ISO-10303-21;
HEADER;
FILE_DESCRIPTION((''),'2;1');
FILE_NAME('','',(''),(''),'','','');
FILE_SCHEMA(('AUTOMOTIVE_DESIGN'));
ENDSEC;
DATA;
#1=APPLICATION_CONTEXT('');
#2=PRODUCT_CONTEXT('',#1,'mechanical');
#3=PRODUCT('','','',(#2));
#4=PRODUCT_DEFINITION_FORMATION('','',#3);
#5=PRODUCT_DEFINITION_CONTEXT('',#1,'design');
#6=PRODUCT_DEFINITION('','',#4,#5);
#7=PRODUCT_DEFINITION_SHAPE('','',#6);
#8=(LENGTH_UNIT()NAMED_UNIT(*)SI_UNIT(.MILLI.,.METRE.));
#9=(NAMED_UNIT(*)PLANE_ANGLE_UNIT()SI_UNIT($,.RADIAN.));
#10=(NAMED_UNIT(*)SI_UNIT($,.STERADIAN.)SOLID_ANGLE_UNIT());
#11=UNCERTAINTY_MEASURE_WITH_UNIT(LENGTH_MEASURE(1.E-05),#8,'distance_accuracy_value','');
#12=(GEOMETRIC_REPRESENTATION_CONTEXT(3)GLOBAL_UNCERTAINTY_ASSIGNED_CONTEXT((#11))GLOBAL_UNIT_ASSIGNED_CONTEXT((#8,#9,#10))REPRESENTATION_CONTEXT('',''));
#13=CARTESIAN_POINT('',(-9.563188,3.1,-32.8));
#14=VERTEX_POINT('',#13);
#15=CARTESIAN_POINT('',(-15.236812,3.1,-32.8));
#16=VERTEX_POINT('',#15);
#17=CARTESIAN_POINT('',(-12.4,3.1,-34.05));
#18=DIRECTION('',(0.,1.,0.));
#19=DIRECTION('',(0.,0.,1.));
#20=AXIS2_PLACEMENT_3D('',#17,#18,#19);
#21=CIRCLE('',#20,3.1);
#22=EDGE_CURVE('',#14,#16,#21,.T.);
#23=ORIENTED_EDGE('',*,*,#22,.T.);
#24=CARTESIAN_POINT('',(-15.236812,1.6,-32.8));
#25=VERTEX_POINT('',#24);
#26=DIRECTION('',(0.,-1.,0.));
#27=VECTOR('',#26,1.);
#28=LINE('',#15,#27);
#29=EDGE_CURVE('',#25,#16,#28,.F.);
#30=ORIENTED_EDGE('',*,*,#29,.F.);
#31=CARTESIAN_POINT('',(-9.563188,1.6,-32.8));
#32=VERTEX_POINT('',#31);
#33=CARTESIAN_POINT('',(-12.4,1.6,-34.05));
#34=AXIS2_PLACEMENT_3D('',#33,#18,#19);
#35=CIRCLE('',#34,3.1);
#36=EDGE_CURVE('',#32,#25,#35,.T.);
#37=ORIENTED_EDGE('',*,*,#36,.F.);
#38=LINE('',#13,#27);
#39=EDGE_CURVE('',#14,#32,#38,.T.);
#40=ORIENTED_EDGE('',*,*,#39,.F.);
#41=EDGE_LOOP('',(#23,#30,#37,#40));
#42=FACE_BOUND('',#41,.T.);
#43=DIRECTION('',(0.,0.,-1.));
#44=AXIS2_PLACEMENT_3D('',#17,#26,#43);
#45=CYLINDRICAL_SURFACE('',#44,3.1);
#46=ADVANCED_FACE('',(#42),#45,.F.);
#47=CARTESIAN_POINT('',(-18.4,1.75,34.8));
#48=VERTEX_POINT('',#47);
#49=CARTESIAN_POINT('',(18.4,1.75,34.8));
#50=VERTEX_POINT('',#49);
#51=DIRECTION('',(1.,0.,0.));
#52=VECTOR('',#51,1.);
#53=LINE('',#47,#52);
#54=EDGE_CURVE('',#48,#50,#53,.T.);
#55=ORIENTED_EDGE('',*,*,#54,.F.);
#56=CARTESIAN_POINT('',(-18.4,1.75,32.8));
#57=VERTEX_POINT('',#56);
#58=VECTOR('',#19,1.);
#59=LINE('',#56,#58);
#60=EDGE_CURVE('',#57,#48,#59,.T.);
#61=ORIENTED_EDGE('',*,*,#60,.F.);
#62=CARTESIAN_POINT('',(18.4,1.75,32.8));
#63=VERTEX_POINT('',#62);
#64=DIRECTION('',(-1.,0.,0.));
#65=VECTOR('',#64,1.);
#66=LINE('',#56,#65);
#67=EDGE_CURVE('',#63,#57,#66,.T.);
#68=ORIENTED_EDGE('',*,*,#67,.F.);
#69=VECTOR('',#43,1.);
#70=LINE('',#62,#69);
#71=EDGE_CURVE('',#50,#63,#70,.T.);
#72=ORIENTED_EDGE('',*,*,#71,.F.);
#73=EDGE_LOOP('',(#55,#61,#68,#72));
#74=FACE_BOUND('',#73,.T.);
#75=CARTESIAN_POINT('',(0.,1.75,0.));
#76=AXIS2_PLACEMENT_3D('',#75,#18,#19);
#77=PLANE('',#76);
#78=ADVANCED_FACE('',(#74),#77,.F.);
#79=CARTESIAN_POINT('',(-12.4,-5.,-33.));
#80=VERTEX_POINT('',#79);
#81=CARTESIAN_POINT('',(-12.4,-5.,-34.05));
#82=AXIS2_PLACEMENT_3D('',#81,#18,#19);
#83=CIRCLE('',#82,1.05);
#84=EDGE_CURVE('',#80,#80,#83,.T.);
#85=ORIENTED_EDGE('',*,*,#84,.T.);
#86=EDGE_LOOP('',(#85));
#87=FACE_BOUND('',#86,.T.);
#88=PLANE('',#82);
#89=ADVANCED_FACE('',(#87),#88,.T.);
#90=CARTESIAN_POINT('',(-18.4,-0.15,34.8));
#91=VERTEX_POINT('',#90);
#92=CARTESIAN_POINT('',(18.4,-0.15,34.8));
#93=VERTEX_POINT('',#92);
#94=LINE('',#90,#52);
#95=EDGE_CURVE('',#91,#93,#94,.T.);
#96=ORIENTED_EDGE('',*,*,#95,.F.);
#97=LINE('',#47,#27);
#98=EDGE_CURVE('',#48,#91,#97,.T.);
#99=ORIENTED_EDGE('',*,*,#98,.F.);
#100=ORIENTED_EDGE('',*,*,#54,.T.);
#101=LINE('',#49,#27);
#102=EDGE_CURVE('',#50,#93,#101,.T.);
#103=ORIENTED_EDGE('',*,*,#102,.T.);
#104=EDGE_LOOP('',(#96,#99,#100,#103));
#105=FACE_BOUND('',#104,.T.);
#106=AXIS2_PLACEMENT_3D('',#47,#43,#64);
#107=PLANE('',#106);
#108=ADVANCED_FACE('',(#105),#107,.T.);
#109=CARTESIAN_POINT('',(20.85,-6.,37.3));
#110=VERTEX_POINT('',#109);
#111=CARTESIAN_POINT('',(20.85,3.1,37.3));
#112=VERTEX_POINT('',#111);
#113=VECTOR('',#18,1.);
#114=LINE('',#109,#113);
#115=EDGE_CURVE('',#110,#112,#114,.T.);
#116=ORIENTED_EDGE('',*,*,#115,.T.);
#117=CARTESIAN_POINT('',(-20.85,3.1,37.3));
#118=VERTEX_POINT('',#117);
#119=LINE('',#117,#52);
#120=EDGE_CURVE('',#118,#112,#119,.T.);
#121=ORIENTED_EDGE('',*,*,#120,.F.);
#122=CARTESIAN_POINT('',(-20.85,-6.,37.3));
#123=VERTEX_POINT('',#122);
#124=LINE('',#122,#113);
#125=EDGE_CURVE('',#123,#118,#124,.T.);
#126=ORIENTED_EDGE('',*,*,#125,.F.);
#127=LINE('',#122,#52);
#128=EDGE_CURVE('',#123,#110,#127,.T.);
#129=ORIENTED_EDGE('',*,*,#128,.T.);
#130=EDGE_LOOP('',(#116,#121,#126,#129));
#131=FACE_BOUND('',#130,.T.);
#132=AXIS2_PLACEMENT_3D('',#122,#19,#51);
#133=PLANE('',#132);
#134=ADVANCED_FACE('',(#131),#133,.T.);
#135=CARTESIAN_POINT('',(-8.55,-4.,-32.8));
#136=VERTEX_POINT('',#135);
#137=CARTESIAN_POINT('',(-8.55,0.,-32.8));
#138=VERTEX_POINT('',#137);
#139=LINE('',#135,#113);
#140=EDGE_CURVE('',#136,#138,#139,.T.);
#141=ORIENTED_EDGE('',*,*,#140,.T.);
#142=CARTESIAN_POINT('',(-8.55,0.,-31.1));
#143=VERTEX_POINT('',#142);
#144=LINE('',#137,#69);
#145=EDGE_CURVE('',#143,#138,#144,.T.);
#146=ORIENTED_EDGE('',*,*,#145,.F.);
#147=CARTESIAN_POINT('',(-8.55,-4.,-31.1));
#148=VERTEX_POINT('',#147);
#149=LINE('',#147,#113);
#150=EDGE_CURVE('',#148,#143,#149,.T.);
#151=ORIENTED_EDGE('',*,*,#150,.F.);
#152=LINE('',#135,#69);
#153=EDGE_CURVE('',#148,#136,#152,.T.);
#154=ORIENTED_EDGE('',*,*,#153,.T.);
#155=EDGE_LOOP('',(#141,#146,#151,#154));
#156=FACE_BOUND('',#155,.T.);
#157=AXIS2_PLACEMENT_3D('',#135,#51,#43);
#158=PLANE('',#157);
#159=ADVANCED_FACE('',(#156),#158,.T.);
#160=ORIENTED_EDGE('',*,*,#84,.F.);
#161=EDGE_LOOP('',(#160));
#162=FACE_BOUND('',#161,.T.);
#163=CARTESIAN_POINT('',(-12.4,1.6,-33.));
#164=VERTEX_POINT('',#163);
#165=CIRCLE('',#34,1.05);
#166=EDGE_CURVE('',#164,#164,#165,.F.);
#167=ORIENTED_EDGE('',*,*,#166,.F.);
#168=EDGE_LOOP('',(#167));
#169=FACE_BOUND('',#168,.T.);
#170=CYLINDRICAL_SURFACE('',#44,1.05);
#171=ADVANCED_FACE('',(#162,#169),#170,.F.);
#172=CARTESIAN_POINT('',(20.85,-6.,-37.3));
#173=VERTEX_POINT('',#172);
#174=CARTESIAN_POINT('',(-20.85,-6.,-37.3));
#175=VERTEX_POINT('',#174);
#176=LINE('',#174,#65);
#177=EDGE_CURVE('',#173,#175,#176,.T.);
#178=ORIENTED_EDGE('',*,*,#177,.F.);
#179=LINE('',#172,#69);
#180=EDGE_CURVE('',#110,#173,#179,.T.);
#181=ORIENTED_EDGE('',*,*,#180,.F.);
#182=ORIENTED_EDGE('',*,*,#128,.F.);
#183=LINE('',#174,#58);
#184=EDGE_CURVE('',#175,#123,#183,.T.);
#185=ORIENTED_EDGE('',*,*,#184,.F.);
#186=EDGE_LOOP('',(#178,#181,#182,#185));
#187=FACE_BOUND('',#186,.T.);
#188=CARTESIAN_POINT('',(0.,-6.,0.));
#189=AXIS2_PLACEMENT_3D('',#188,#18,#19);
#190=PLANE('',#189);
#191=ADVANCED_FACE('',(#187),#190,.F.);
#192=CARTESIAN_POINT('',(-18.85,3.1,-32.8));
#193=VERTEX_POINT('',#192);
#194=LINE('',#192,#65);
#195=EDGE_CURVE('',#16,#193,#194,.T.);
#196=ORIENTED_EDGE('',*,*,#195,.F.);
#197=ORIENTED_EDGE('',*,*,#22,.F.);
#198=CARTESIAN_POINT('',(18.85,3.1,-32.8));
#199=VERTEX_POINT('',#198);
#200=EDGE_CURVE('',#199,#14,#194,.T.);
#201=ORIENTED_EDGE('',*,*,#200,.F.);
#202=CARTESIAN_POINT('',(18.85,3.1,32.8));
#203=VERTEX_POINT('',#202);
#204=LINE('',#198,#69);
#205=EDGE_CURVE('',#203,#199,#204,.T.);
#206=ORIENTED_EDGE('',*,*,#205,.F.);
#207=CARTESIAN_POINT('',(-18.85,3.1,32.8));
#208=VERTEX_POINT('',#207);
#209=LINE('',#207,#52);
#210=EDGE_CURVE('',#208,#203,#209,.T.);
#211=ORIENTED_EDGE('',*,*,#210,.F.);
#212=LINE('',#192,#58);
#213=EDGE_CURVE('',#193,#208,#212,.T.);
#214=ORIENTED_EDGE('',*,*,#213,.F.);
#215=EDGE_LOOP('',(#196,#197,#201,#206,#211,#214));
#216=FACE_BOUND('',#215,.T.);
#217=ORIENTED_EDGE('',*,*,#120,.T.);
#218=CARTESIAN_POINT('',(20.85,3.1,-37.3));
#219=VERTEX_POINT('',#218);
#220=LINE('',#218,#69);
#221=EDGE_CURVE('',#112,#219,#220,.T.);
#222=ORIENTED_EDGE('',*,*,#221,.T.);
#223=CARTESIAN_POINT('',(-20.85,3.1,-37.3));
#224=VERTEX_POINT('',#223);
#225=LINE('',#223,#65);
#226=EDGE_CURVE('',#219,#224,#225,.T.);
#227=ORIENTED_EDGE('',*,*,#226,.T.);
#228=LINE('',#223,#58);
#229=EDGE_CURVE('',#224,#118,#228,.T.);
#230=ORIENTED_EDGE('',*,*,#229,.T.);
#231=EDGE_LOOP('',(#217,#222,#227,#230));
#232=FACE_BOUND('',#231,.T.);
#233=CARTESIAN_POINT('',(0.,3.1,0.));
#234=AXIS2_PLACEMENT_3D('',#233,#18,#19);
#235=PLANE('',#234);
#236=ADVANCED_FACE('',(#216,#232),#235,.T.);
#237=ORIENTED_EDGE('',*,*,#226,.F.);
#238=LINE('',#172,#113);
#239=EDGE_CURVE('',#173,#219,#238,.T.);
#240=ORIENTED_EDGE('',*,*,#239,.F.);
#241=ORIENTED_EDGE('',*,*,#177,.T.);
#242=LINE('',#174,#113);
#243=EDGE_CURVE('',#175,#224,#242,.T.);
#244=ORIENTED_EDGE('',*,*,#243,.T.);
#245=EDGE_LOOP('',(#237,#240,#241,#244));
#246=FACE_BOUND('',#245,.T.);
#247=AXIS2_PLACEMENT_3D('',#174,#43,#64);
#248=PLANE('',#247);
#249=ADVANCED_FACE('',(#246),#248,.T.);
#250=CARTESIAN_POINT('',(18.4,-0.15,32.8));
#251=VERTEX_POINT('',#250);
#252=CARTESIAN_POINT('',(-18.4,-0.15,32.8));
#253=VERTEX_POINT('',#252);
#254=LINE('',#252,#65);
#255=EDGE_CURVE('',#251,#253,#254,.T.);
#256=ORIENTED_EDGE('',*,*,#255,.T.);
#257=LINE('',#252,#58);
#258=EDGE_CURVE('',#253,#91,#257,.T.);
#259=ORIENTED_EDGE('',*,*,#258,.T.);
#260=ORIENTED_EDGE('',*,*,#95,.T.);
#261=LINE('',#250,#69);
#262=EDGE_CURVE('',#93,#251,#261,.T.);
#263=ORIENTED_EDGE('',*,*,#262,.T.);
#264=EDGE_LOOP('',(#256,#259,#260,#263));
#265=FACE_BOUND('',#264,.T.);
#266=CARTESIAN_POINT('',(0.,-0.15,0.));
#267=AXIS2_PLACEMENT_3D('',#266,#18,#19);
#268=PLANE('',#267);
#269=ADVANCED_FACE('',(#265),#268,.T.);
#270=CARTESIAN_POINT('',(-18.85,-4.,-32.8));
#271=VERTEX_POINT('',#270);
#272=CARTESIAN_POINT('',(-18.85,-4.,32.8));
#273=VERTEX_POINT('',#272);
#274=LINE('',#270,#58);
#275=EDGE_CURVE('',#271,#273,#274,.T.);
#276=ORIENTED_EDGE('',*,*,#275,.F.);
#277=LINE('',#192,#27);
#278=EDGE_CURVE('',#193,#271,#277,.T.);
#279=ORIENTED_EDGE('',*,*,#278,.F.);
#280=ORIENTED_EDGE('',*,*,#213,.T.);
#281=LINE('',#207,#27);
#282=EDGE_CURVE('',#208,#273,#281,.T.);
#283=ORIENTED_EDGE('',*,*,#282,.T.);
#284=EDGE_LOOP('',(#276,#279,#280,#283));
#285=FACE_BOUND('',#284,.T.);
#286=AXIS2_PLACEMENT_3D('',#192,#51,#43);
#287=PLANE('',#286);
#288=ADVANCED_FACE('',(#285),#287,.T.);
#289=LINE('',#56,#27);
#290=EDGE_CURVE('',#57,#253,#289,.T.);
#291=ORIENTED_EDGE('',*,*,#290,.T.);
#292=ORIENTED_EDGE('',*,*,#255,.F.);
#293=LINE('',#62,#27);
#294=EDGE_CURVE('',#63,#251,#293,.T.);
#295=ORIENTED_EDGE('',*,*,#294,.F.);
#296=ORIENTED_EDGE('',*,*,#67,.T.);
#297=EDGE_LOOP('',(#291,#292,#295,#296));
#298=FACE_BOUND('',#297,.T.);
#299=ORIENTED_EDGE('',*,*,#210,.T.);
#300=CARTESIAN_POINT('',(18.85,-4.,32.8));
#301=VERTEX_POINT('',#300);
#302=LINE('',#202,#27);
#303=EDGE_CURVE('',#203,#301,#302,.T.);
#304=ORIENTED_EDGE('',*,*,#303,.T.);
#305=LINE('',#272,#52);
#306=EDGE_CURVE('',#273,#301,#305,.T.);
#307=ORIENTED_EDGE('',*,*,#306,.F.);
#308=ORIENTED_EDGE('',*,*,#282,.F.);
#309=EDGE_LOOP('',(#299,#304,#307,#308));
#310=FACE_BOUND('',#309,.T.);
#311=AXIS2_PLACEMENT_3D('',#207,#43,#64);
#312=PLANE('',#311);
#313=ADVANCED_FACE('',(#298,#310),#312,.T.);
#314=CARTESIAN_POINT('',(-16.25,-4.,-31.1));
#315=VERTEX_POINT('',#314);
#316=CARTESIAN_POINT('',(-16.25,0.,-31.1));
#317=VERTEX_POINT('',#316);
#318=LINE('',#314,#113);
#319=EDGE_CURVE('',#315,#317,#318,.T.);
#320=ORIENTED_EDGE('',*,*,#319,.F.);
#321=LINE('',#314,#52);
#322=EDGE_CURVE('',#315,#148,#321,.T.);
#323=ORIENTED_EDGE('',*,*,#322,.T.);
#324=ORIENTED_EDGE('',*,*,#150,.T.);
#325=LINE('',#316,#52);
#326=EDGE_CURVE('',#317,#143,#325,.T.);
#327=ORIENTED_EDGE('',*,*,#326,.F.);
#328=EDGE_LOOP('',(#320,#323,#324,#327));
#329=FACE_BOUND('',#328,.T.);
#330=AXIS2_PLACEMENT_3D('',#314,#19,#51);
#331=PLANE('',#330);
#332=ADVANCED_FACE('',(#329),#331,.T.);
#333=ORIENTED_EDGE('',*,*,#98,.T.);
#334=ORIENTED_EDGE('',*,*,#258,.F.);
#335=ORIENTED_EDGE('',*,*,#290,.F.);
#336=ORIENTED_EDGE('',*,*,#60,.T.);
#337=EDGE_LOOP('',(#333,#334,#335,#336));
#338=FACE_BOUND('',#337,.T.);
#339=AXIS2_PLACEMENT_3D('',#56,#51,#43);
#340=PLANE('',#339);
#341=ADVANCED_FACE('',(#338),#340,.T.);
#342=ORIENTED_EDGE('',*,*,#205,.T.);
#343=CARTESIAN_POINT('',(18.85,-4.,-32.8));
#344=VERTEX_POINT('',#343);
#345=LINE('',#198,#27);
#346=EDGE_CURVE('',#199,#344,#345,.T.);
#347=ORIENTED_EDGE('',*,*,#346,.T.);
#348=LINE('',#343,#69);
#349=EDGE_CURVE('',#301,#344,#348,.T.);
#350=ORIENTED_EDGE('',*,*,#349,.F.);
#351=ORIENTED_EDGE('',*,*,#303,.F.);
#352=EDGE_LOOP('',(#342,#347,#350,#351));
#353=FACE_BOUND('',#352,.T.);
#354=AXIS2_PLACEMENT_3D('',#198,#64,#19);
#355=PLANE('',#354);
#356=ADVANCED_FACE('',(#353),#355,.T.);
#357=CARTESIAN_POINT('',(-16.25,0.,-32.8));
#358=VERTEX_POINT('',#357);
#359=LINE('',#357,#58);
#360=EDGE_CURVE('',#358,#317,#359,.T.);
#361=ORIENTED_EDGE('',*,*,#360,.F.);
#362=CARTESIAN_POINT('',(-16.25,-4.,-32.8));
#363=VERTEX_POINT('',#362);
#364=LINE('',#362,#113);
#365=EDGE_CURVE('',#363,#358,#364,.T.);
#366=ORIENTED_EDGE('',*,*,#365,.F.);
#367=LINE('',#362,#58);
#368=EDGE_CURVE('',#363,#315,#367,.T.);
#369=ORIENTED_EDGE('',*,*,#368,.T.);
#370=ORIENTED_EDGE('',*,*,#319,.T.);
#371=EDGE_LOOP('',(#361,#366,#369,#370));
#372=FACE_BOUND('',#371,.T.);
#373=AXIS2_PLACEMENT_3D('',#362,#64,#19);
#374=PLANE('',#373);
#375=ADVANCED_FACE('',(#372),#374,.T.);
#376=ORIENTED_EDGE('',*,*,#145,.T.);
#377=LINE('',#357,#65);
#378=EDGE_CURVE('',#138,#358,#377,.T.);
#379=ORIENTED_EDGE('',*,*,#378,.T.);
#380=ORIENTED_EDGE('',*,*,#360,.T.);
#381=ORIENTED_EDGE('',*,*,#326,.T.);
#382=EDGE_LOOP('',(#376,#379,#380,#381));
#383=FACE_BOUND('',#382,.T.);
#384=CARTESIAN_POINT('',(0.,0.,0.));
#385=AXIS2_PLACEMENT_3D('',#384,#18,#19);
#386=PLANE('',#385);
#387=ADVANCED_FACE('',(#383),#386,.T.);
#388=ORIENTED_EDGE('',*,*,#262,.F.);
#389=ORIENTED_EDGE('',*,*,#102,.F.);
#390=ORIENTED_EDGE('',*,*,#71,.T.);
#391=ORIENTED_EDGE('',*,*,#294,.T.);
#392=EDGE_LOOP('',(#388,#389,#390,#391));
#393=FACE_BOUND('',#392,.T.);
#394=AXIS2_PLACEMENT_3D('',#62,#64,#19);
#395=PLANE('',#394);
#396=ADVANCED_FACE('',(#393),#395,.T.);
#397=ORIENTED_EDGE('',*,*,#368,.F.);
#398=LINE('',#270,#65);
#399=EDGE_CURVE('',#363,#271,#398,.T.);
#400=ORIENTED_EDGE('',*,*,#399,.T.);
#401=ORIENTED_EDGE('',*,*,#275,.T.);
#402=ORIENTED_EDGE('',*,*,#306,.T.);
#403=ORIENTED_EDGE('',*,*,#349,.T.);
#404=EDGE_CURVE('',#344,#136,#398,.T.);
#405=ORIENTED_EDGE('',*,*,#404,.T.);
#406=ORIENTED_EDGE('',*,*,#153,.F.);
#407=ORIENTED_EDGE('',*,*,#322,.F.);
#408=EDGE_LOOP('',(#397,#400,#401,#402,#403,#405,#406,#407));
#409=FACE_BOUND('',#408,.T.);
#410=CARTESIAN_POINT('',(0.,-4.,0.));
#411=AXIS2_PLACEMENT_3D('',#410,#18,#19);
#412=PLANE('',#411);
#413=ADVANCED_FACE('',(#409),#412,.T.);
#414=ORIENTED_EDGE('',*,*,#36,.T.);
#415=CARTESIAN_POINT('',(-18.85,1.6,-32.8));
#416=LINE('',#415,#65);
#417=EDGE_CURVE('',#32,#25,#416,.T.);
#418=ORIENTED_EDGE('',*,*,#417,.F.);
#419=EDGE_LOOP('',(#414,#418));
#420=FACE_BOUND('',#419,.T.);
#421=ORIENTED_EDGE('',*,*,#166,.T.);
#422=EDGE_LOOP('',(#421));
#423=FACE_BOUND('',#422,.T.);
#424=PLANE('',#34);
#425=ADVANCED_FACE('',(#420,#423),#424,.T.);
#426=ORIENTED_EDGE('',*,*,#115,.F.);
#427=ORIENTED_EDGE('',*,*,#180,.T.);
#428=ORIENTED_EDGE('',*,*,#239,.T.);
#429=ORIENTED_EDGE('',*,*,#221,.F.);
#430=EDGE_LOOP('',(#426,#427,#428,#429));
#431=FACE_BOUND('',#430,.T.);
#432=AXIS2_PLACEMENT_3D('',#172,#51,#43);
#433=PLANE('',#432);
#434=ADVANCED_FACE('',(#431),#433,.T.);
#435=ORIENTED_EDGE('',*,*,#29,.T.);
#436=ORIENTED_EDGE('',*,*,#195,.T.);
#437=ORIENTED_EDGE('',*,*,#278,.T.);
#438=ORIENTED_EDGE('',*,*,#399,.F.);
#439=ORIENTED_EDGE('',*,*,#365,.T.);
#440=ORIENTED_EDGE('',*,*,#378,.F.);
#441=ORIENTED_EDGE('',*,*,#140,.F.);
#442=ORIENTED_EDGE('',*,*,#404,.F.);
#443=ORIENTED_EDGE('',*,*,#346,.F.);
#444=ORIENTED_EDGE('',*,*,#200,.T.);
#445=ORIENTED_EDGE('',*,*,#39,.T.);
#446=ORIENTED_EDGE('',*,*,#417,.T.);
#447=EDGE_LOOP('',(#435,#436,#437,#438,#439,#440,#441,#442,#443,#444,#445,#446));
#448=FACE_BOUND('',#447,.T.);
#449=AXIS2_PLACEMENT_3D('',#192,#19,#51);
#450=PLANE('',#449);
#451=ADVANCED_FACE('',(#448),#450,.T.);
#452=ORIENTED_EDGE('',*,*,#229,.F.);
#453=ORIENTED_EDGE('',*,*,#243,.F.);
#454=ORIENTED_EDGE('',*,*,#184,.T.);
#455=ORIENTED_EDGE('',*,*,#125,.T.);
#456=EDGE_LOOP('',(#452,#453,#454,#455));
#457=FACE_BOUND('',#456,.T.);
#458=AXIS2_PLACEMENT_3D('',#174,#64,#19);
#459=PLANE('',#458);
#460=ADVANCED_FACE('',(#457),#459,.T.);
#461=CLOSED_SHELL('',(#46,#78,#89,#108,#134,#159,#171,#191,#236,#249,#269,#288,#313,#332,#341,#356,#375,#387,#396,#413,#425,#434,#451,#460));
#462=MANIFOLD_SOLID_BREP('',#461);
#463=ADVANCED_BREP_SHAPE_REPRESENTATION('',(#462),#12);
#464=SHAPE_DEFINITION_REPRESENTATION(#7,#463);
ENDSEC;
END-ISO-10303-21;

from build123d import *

# Parameters (mm, degrees)
BOSS_EXTRUDE1_DEPTH      = 3.1
BOSS_EXTRUDE1_DEPTH_BACK = 6
SKETCH1_W                = 41.7
SKETCH1_H                = 74.6
CUT_EXTRUDE1_DEPTH       = 44.151042861
CUT_EXTRUDE1_DEPTH_BACK  = 4
SKETCH2_W                = 37.7
SKETCH2_H                = 65.6
CUT_EXTRUDE2_DEPTH       = 1.75
CUT_EXTRUDE2_DEPTH_BACK  = 0.15
SKETCH3_W                = 36.8
SKETCH3_H                = 2
SKETCH4_W                = 7.7
SKETCH4_H                = 1.7
BOSS_EXTRUDE2_DEPTH      = 4
CUT_EXTRUDE3_START       = 1.6
SKETCH5_R                = 3.1
CUT_EXTRUDE3_DEPTH       = 42.551042861
CUT_EXTRUDE4_DEPTH       = 44.151042861
CUT_EXTRUDE4_DEPTH_BACK  = 5
SKETCH6_R                = 1.05


with BuildPart() as part:
    # Sketch1 → Boss-Extrude1 (new, two sides: drawn at the far end of the back side and taken through both)
    with BuildSketch(Plane(origin=(0, 0, 0), x_dir=(1, 0, 0), z_dir=(0, 1, 0)).offset(-BOSS_EXTRUDE1_DEPTH_BACK)):
        Rectangle(SKETCH1_W, SKETCH1_H)
    extrude(amount=BOSS_EXTRUDE1_DEPTH + BOSS_EXTRUDE1_DEPTH_BACK)

    # Sketch2 → Cut-Extrude1 (cut, two sides: drawn at the far end of the back side and taken through both)
    with BuildSketch(Plane(origin=(0, 0, 0), x_dir=(1, 0, 0), z_dir=(0, 1, 0)).offset(-CUT_EXTRUDE1_DEPTH_BACK)):
        Rectangle(SKETCH2_W, SKETCH2_H)
    extrude(amount=CUT_EXTRUDE1_DEPTH + CUT_EXTRUDE1_DEPTH_BACK, mode=Mode.SUBTRACT)

    # Sketch3 → Cut-Extrude2 (cut, two sides: drawn at the far end of the back side and taken through both)
    with BuildSketch(Plane(origin=(0, 0, 0), x_dir=(1, 0, 0), z_dir=(0, 1, 0)).offset(-CUT_EXTRUDE2_DEPTH_BACK)):
        with Locations((0, -33.8)):
            Rectangle(SKETCH3_W, SKETCH3_H)
    extrude(amount=CUT_EXTRUDE2_DEPTH + CUT_EXTRUDE2_DEPTH_BACK, mode=Mode.SUBTRACT)

    # Sketch4 → Boss-Extrude2 (add)
    with BuildSketch(Plane(origin=(0, 0, 0), x_dir=(1, 0, 0), z_dir=(0, 1, 0))):
        with Locations((-12.4, 31.95)):
            Rectangle(SKETCH4_W, SKETCH4_H)
    extrude(amount=-BOSS_EXTRUDE2_DEPTH)

    # Sketch5 → Cut-Extrude3 (cut, through all)
    with BuildSketch(Plane(origin=(0, 0, 0), x_dir=(1, 0, 0), z_dir=(0, 1, 0)).offset(CUT_EXTRUDE3_START)):
        with Locations((-12.4, 34.05)):
            Circle(SKETCH5_R)
    extrude(amount=CUT_EXTRUDE3_DEPTH, mode=Mode.SUBTRACT)

    # Sketch6 → Cut-Extrude4 (cut, two sides: drawn at the far end of the back side and taken through both)
    with BuildSketch(Plane(origin=(0, 0, 0), x_dir=(1, 0, 0), z_dir=(0, 1, 0)).offset(-CUT_EXTRUDE4_DEPTH_BACK)):
        with Locations(Location((-12.4, 34.05, 0), (0, 0, 270))):
            Circle(SKETCH6_R)
    extrude(amount=CUT_EXTRUDE4_DEPTH + CUT_EXTRUDE4_DEPTH_BACK, mode=Mode.SUBTRACT)


solid = part.part
